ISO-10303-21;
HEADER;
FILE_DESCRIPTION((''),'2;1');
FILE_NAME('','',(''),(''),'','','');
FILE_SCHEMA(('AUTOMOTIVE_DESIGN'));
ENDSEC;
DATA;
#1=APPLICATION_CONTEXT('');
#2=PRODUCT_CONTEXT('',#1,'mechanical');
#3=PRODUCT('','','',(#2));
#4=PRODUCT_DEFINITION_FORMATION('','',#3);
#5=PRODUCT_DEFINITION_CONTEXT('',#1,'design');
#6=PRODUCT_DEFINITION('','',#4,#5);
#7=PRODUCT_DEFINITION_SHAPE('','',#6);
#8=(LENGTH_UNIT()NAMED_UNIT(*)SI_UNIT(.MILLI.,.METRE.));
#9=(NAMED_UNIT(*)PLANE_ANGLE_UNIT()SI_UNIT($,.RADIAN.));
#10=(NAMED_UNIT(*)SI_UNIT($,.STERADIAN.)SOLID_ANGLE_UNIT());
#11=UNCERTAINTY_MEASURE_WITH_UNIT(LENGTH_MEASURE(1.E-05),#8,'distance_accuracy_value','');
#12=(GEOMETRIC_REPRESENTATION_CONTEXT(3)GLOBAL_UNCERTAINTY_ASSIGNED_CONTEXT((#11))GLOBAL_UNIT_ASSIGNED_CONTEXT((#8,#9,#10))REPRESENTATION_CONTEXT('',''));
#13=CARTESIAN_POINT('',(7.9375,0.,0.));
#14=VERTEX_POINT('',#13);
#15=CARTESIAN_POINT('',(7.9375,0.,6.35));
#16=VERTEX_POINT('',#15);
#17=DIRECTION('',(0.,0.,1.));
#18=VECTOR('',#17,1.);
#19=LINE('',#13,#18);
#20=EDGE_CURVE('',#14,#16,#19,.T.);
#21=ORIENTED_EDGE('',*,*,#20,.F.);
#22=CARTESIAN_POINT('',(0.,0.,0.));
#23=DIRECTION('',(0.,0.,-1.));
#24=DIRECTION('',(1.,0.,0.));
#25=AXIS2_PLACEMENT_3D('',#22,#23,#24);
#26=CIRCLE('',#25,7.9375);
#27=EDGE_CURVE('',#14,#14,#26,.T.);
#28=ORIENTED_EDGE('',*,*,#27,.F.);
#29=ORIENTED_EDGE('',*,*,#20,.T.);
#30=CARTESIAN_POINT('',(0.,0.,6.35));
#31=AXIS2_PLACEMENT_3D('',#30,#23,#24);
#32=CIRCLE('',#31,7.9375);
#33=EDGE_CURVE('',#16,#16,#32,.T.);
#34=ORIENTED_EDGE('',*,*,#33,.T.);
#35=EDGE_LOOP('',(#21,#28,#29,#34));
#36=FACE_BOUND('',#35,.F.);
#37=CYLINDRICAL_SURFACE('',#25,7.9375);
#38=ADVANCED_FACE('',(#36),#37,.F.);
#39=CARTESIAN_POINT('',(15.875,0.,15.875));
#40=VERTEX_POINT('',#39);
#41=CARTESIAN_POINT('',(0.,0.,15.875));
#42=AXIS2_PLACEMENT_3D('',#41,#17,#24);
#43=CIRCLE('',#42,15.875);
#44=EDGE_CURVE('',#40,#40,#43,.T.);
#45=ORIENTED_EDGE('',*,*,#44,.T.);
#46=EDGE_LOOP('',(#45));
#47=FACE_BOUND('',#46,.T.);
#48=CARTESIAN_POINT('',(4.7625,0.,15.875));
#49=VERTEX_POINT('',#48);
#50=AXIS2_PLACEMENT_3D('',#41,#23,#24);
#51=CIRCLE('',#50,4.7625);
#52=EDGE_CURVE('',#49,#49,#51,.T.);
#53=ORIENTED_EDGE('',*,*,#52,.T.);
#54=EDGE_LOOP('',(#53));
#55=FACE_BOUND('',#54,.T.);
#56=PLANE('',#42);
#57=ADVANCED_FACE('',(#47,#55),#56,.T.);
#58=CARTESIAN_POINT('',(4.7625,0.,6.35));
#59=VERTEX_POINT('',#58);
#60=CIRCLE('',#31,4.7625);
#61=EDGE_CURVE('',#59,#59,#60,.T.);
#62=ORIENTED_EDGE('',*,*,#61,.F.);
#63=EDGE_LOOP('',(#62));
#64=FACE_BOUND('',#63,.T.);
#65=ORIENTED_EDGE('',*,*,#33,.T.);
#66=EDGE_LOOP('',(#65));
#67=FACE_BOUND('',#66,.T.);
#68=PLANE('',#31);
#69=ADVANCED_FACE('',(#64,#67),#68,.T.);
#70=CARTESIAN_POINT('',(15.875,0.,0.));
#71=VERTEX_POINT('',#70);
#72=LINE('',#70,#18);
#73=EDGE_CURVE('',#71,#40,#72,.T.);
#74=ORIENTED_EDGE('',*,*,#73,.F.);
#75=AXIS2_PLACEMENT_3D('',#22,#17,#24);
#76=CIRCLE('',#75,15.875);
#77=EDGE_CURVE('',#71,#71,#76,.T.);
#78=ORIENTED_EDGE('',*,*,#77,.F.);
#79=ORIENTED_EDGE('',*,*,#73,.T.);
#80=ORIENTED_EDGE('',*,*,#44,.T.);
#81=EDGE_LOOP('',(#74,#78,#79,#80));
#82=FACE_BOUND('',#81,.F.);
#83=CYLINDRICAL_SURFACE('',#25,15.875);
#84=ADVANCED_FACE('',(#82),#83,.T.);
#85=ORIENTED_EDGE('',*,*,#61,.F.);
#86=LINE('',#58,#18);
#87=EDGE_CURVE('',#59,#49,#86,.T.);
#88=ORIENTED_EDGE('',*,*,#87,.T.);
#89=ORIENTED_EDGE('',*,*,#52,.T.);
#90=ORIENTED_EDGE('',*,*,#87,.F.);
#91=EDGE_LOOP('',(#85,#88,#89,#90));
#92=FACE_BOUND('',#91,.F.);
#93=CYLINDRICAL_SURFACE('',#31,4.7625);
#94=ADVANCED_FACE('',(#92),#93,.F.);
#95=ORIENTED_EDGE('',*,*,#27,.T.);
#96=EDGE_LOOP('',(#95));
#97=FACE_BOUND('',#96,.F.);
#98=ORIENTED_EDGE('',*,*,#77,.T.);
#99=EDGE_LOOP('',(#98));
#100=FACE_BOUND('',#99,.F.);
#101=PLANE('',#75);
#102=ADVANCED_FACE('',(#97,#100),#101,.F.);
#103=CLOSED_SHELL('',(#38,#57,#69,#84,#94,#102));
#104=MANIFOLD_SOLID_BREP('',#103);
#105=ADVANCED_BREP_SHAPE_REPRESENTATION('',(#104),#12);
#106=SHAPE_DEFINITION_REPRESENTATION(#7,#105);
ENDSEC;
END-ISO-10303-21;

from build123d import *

# Parameters (mm, degrees)
F0_R     = 15.875
F0_R_2   = 7.9375
F1_DEPTH = 15.875
F2_R     = 7.9375
F3_DEPTH = 6.35
F4_R     = 4.7625
F5_DEPTH = 25.4


with BuildPart() as f1:
    # F0 (on Top) → F1 (new body)
    with BuildSketch(Plane.XY):
        Circle(F0_R)
        Circle(F0_R_2, mode=Mode.SUBTRACT)
        Circle(F0_R_2)
    extrude(amount=F1_DEPTH)

    # F2 (on face) → F3 (cut)
    with BuildSketch(Plane(origin=(0, 0, 0), x_dir=(1, 0, 0), z_dir=(0, 0, -1))):
        Circle(F2_R)
    extrude(amount=-F3_DEPTH, mode=Mode.SUBTRACT)

    # F4 (on face) → F5 (cut)
    with BuildSketch(Plane(origin=(0, 0, 6.35), x_dir=(1, 0, 0), z_dir=(0, 0, -1))):
        Circle(F4_R)
    extrude(amount=-F5_DEPTH, mode=Mode.SUBTRACT)


solid = f1.part
